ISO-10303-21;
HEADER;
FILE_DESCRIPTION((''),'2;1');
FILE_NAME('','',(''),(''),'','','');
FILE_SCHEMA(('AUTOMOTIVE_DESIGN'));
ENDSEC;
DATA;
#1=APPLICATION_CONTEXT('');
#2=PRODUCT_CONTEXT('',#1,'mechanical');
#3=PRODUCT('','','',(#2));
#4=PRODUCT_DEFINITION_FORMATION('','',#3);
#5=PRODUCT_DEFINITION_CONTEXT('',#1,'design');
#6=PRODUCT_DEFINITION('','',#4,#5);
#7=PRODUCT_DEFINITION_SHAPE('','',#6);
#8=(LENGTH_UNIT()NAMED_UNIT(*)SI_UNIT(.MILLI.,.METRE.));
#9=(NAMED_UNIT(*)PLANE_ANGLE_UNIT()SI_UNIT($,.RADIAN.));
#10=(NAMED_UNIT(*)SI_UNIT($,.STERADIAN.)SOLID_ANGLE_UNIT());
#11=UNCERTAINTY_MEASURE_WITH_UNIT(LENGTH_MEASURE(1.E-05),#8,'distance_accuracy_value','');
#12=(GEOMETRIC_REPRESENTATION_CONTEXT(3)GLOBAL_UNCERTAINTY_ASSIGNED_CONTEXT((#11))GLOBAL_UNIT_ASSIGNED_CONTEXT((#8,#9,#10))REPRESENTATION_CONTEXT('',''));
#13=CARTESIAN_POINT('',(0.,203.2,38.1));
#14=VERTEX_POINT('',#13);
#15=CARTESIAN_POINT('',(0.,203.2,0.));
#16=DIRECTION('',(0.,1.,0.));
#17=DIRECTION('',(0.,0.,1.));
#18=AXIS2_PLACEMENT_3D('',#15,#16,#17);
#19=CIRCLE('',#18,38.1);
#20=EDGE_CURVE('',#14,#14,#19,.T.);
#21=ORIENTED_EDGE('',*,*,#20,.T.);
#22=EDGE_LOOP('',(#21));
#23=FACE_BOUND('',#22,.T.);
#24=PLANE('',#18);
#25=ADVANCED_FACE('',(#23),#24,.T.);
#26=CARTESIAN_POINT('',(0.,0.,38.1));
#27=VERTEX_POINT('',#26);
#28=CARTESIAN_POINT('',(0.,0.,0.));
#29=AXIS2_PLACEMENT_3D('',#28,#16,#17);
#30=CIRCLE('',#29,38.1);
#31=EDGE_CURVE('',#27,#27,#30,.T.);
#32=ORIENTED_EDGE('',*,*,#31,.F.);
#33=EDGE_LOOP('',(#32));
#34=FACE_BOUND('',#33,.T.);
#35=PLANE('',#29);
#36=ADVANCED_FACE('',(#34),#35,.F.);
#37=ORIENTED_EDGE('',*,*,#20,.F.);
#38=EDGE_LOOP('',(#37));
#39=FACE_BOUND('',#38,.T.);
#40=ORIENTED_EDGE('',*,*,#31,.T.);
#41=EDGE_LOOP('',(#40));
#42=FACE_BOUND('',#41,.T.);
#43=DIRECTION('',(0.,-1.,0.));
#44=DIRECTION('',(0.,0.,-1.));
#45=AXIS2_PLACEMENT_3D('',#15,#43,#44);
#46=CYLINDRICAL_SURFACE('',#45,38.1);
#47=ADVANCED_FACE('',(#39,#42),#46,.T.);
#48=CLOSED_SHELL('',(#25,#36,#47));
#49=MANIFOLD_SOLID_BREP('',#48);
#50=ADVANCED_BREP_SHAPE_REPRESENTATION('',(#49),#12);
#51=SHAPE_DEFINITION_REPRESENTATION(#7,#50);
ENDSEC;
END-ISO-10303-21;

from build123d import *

# Parameters (mm, degrees)
SKETCH1_R           = 38.1
BOSS_EXTRUDE1_DEPTH = 203.2


with BuildPart() as part:
    # Sketch1 → Boss-Extrude1 (new body)
    with BuildSketch(Plane(origin=(0, 0, 0), x_dir=(1, 0, 0), z_dir=(0, 1, 0))):
        Circle(SKETCH1_R)
    extrude(amount=BOSS_EXTRUDE1_DEPTH)


solid = part.part
